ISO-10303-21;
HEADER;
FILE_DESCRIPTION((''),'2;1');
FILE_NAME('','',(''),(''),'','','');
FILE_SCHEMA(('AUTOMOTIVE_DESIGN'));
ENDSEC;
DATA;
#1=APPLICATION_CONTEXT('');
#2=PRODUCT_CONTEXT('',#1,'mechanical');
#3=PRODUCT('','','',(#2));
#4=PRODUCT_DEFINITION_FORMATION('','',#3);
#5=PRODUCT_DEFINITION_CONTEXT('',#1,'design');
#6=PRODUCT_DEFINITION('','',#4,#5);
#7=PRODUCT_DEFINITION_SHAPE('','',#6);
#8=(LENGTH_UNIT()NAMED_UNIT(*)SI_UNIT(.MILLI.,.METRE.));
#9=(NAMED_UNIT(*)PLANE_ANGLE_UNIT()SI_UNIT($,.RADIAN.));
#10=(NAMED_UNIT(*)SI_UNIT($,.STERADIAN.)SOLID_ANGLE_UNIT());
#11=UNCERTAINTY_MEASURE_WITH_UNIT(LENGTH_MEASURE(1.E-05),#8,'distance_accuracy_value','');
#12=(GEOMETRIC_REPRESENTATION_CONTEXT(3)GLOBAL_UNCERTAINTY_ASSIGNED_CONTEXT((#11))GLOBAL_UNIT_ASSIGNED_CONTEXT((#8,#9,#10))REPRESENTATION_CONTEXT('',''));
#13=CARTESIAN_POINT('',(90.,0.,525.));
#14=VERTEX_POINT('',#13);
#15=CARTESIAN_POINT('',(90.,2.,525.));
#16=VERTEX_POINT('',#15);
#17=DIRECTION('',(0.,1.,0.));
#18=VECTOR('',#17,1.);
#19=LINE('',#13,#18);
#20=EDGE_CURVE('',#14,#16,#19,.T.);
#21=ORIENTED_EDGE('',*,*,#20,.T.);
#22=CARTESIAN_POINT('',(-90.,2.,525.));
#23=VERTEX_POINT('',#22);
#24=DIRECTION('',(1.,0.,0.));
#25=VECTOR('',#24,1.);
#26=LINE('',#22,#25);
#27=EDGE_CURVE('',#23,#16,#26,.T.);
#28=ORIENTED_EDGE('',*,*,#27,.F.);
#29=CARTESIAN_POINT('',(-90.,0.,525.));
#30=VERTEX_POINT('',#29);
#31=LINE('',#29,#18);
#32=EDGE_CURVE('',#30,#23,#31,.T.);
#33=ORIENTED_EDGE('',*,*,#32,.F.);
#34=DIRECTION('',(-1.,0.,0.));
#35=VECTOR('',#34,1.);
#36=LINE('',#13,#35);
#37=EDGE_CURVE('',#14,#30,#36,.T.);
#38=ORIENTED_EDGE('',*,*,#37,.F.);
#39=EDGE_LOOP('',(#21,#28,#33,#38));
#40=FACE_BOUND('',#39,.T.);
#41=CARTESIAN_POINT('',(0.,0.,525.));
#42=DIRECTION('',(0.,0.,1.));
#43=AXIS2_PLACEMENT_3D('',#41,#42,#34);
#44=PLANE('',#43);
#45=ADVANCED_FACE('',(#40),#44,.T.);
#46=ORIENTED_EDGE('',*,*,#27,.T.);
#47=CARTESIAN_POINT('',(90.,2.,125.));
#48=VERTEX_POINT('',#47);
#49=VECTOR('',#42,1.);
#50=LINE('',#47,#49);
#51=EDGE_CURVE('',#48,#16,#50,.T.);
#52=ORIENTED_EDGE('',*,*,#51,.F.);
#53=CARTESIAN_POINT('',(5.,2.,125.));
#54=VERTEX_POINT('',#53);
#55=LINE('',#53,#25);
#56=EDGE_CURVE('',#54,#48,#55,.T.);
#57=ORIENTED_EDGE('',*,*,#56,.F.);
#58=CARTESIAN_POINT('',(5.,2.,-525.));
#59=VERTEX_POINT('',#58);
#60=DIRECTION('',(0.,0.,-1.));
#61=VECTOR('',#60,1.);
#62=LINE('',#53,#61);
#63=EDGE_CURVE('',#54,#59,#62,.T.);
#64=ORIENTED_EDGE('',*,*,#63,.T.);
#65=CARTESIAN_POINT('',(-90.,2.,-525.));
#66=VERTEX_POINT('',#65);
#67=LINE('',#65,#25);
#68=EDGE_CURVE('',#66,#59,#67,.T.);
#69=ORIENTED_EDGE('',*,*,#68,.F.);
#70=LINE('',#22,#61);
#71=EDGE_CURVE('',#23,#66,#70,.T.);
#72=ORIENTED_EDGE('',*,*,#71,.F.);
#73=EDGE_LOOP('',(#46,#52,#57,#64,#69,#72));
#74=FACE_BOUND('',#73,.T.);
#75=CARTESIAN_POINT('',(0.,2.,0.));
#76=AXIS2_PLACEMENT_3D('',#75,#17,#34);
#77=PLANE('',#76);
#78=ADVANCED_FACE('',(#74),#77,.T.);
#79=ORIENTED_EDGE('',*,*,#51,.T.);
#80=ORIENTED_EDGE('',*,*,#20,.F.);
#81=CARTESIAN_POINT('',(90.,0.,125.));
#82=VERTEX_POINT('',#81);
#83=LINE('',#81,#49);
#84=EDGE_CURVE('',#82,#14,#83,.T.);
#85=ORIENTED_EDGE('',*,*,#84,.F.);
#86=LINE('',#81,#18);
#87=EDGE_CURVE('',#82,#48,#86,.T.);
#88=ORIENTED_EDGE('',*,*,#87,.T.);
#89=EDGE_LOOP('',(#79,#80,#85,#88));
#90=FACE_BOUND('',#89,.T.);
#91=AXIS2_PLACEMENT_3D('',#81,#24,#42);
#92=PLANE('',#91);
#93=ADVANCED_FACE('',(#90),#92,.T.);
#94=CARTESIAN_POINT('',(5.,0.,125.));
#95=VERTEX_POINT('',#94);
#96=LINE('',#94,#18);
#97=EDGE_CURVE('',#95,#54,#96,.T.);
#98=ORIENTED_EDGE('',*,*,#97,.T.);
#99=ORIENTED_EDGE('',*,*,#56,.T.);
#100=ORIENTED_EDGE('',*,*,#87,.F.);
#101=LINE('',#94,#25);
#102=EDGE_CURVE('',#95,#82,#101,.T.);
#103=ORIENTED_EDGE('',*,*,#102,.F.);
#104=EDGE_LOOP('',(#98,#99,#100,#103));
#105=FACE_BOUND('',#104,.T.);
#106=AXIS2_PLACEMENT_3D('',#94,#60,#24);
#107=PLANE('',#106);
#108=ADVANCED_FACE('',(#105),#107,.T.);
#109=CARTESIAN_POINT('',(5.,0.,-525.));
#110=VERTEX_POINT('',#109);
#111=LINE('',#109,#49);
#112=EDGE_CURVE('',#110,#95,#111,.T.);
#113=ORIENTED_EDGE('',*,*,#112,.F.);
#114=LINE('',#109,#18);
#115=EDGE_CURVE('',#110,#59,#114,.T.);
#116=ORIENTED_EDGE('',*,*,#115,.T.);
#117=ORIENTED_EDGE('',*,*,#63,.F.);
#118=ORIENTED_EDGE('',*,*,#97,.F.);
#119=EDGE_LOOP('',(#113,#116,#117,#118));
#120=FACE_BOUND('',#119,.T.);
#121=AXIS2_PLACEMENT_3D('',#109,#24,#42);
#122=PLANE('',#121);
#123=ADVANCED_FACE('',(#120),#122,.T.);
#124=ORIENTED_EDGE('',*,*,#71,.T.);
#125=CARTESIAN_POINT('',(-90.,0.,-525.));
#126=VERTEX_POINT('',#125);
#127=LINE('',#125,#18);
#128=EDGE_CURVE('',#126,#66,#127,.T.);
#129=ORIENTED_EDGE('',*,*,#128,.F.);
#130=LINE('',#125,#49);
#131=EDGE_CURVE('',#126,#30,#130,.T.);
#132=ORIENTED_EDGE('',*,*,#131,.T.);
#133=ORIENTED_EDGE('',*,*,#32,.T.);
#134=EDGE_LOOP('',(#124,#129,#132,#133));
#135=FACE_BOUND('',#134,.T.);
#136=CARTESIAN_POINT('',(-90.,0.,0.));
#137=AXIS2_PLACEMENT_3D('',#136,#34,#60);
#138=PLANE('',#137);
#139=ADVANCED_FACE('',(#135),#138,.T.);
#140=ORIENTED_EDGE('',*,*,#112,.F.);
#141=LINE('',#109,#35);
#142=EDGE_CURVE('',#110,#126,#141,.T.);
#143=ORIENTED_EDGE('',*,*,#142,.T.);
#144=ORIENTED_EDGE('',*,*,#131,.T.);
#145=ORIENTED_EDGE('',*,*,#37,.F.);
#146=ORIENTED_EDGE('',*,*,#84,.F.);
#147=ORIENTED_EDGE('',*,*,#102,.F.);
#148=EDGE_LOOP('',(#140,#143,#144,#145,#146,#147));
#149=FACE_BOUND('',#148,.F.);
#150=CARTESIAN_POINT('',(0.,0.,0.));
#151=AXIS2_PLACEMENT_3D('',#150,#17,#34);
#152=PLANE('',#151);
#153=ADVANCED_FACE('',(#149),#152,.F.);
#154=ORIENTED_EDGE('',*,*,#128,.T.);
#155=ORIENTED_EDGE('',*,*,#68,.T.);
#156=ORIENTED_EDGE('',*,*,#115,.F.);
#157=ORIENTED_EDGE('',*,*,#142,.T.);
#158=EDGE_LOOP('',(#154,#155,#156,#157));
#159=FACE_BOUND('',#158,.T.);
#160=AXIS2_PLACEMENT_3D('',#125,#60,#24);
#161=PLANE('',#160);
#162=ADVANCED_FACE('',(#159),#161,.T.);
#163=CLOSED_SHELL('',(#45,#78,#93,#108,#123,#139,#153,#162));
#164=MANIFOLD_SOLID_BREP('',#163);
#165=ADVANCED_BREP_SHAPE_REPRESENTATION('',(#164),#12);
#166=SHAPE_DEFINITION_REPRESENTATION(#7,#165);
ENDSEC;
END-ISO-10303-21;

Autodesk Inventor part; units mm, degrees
ref_plane "YZ Plane" through (0, 0, 0) normal (1, 0, 0) x (0, 1, 0)
ref_plane "XZ Plane" through (0, 0, 0) normal (0, 1, 0) x (-1, 0, 0)
ref_plane "XY Plane" through (0, 0, 0) normal (0, 0, 1) x (1, 0, 0)
sketch "Sketch1" plane through (0, 0, 0) normal (0, 1, 0) x (-1, 0, 0)
  line L0 (90, -525) -> (-5, -525)
  line L1 (-90, 125) -> (-90, 525)
  line L2 (-90, 525) -> (90, 525)
  line L3 (90, 525) -> (90, -525)
  line L4 (-5, -525) -> (-5, 125)
  line L5 (-5, 125) -> (-90, 125)
  line L6 (0, 525) -> (0, -525)
  line L7 (90, 0) -> (-5, 0)
  point P0 (0, 0)
  dimension "d0" = 180
  dimension "d1" = 1050
  dimension "d2" = 650
  dimension "d3" = 95
extrude "Extrusion1" add sketch "Sketch1" along normal blind 2
properties part number "Fa" material "LCP Plastic"
